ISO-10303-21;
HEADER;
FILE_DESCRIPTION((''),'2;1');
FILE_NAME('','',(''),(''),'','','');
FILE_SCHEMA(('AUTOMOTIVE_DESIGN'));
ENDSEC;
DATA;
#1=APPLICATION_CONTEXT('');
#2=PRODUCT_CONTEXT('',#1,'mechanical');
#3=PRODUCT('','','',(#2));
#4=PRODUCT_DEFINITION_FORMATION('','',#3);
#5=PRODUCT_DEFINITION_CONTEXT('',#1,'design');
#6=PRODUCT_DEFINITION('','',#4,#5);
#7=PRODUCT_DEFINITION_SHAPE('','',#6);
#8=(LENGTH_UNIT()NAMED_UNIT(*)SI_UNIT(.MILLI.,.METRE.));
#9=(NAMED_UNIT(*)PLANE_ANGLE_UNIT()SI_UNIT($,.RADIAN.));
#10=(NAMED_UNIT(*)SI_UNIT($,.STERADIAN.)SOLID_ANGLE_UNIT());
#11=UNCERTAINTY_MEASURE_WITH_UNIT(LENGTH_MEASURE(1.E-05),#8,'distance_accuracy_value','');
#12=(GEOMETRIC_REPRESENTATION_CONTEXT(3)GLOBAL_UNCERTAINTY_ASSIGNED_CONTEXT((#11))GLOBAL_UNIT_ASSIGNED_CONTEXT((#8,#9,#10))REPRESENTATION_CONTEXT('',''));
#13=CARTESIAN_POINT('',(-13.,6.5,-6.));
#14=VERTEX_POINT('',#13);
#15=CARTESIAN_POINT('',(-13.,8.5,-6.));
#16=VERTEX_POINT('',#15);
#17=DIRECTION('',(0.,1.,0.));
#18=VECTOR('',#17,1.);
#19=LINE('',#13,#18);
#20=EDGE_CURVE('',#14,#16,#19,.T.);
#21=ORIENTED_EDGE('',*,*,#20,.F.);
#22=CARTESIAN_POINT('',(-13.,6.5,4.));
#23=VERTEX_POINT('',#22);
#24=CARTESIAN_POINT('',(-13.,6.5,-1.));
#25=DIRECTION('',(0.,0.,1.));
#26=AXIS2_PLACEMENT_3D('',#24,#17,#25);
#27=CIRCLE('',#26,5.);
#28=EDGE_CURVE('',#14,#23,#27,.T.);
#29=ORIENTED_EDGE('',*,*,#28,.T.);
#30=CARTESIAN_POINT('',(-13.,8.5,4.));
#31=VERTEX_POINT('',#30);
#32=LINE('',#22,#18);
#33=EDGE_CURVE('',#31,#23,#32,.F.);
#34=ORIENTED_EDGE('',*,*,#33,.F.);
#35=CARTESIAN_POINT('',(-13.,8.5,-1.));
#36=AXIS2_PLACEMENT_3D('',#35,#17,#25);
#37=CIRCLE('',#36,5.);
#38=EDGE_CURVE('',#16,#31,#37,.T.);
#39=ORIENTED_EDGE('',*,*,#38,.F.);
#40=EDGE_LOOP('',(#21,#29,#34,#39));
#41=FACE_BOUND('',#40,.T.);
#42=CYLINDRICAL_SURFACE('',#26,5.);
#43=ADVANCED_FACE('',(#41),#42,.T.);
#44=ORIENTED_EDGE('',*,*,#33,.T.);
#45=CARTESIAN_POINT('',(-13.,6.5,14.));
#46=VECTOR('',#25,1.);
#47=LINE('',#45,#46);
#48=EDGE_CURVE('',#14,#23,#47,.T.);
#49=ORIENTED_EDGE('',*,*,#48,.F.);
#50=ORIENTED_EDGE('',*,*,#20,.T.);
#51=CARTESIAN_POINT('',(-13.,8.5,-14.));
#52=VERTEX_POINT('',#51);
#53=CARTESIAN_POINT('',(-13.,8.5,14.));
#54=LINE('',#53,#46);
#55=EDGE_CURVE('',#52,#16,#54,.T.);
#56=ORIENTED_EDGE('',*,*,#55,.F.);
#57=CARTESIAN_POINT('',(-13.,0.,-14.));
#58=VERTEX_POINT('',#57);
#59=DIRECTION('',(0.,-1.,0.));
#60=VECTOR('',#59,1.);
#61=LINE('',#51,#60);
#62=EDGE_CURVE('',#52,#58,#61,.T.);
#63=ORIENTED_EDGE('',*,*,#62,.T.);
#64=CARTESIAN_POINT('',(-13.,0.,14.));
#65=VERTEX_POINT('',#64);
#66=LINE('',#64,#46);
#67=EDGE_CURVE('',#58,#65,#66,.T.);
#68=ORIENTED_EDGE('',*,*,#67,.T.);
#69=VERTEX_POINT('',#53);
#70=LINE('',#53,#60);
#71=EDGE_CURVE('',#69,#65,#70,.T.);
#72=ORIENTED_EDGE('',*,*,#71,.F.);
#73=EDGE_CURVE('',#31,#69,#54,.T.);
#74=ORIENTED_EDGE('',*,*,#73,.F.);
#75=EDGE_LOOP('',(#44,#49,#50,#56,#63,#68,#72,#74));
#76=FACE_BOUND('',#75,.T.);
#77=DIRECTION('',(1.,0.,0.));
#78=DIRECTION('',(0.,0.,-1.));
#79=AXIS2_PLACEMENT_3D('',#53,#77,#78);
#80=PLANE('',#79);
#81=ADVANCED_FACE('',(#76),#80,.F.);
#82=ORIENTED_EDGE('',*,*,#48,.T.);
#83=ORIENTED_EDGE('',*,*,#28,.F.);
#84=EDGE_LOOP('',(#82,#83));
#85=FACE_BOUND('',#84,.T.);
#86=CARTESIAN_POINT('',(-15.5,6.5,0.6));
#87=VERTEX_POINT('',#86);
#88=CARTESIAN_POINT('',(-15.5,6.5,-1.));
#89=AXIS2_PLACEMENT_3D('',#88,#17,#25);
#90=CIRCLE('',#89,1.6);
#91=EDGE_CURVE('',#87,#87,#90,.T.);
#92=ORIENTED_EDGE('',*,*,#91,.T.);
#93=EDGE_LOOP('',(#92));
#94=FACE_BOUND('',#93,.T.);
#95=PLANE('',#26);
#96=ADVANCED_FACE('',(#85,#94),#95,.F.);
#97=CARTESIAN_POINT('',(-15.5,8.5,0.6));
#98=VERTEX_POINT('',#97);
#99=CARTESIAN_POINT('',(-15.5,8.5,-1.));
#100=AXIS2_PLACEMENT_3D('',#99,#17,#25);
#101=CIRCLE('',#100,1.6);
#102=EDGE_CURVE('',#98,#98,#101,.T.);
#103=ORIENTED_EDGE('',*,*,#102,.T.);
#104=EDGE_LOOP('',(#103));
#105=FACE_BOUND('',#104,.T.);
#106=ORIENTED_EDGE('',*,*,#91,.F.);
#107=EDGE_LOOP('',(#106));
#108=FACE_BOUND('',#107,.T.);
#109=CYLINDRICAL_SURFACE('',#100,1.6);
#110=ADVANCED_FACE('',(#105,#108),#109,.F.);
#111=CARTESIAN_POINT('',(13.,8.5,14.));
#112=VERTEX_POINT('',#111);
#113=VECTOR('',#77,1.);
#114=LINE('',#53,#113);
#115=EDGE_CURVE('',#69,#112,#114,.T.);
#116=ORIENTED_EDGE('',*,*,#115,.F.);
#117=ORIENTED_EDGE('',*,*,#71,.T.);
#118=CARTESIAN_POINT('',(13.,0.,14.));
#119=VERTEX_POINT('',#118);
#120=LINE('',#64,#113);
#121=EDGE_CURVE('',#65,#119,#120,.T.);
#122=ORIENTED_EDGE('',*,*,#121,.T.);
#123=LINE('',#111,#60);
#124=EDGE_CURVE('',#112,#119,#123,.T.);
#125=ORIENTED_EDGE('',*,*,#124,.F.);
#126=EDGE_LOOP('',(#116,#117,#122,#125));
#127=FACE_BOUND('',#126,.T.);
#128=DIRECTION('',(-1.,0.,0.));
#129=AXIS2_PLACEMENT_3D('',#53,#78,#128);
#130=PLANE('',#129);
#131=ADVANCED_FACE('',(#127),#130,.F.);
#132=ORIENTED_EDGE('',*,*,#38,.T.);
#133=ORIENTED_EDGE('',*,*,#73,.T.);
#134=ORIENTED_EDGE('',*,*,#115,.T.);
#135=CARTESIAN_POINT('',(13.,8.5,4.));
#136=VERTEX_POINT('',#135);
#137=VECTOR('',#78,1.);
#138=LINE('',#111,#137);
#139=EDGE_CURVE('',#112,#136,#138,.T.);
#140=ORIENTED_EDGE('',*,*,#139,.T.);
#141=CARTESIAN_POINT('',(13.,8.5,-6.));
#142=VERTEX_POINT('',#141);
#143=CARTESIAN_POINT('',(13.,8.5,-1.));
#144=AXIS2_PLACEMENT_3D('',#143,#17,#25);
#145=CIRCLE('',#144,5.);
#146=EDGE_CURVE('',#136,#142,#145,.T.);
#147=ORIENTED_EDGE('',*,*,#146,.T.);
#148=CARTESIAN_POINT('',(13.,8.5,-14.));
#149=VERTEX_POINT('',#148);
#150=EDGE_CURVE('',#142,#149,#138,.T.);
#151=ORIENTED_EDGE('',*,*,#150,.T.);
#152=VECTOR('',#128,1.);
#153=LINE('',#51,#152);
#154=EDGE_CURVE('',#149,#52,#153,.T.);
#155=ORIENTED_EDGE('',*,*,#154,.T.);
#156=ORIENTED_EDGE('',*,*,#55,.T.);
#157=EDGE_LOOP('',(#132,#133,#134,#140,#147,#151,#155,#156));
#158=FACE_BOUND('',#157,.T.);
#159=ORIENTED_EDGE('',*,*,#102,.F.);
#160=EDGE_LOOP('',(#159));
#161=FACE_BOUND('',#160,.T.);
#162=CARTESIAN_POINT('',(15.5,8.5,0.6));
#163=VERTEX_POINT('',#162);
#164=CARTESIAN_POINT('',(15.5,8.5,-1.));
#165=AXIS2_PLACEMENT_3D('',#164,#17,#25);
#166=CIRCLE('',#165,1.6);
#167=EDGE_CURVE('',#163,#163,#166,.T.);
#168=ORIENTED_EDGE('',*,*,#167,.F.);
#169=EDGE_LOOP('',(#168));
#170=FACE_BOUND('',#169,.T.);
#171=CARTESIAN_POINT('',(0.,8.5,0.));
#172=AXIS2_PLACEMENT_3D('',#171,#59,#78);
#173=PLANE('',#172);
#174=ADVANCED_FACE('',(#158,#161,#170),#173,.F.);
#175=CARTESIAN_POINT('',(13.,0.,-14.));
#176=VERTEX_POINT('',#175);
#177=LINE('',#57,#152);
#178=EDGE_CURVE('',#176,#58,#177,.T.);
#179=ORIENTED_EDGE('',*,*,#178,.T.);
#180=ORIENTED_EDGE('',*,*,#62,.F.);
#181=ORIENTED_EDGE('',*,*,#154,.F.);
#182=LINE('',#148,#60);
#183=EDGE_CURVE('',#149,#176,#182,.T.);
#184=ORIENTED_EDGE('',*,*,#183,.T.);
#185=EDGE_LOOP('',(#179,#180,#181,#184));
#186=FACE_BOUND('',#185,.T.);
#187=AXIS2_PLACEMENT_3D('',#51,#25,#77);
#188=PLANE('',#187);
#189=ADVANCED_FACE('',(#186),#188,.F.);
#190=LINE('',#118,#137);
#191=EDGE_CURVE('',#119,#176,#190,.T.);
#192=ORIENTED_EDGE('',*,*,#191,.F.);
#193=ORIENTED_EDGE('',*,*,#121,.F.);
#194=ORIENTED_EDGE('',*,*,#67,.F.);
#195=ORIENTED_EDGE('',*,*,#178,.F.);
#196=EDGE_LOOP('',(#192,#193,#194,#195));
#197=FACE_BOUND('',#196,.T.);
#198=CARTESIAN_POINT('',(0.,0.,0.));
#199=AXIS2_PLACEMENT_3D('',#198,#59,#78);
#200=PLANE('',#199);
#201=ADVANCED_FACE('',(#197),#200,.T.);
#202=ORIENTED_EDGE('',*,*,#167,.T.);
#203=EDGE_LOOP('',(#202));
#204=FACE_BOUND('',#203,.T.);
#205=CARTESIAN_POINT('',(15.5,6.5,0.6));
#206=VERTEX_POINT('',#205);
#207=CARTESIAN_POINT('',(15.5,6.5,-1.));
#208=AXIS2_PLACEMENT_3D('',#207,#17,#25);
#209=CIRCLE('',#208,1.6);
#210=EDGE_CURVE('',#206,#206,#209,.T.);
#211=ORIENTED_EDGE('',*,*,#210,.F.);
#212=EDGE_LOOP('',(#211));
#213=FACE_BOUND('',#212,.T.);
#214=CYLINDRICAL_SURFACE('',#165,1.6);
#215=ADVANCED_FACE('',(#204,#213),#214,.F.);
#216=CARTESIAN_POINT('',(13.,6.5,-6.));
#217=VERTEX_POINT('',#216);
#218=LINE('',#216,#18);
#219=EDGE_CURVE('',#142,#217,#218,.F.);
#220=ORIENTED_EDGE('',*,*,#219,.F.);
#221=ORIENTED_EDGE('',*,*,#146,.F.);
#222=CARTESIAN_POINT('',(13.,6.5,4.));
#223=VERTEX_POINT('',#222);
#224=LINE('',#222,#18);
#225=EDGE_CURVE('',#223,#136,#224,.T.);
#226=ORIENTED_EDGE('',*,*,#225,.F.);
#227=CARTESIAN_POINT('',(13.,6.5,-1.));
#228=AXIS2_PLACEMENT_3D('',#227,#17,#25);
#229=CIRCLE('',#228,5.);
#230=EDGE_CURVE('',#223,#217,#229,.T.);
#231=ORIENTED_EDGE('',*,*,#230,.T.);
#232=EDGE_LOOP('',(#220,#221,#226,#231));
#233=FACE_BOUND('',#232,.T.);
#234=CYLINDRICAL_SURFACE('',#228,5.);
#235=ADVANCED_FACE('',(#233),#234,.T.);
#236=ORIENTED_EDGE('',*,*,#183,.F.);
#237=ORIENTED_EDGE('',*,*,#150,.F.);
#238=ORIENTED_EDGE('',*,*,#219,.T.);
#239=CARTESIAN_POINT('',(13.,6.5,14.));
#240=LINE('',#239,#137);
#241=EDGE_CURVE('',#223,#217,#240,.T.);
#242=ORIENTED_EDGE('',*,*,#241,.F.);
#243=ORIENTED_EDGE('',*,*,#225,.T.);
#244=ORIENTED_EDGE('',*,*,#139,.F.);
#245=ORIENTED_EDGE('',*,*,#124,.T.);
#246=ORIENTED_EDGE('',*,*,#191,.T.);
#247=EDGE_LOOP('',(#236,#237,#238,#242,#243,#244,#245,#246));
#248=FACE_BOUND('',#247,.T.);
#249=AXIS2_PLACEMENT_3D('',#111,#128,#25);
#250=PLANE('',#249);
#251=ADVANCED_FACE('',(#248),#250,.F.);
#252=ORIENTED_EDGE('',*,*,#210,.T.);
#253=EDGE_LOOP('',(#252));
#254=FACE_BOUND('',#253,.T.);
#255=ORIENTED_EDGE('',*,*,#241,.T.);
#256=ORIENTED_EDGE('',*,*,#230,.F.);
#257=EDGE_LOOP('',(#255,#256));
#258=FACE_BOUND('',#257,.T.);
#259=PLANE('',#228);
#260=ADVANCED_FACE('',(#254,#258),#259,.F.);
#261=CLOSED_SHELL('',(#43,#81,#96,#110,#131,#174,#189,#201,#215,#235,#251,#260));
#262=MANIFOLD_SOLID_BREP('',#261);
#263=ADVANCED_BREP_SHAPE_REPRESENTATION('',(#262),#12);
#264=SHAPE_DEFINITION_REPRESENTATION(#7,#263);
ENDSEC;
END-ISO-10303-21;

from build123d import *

# Parameters (mm, degrees)
SKETCH1_W            = 26
SKETCH1_H            = 28
BOSS_EXTRUDE1_DEPTH  = 8.5
SKETCH2_R            = 5
BOSS_EXTRUDE2_DEPTH  = 2
M3_CLEARANCE_HOLE1_D = 3.2


with BuildPart() as part:
    # Sketch1 → Boss-Extrude1 (new body)
    with BuildSketch(Plane(origin=(0, 0, 0), x_dir=(1, 0, 0), z_dir=(0, 1, 0))):
        Rectangle(SKETCH1_W, SKETCH1_H)
    extrude(amount=BOSS_EXTRUDE1_DEPTH)

    # Sketch2 → Boss-Extrude2 (add)
    with BuildSketch(Plane(origin=(0, 8.5, 0), x_dir=(1, 0, 0), z_dir=(0, 1, 0))):
        with Locations((-13, 1)):
            Circle(SKETCH2_R)
        with Locations((13, 1)):
            Circle(SKETCH2_R)
    extrude(amount=-BOSS_EXTRUDE2_DEPTH)

    # M3 Clearance Hole1 (through all)
    with Locations(Plane(origin=(0, 8.5, 0), x_dir=(1, 0, 0), z_dir=(0, 1, 0))):
        with Locations((-15.5, 1), (15.5, 1)):
            Hole(M3_CLEARANCE_HOLE1_D / 2)


solid = part.part
